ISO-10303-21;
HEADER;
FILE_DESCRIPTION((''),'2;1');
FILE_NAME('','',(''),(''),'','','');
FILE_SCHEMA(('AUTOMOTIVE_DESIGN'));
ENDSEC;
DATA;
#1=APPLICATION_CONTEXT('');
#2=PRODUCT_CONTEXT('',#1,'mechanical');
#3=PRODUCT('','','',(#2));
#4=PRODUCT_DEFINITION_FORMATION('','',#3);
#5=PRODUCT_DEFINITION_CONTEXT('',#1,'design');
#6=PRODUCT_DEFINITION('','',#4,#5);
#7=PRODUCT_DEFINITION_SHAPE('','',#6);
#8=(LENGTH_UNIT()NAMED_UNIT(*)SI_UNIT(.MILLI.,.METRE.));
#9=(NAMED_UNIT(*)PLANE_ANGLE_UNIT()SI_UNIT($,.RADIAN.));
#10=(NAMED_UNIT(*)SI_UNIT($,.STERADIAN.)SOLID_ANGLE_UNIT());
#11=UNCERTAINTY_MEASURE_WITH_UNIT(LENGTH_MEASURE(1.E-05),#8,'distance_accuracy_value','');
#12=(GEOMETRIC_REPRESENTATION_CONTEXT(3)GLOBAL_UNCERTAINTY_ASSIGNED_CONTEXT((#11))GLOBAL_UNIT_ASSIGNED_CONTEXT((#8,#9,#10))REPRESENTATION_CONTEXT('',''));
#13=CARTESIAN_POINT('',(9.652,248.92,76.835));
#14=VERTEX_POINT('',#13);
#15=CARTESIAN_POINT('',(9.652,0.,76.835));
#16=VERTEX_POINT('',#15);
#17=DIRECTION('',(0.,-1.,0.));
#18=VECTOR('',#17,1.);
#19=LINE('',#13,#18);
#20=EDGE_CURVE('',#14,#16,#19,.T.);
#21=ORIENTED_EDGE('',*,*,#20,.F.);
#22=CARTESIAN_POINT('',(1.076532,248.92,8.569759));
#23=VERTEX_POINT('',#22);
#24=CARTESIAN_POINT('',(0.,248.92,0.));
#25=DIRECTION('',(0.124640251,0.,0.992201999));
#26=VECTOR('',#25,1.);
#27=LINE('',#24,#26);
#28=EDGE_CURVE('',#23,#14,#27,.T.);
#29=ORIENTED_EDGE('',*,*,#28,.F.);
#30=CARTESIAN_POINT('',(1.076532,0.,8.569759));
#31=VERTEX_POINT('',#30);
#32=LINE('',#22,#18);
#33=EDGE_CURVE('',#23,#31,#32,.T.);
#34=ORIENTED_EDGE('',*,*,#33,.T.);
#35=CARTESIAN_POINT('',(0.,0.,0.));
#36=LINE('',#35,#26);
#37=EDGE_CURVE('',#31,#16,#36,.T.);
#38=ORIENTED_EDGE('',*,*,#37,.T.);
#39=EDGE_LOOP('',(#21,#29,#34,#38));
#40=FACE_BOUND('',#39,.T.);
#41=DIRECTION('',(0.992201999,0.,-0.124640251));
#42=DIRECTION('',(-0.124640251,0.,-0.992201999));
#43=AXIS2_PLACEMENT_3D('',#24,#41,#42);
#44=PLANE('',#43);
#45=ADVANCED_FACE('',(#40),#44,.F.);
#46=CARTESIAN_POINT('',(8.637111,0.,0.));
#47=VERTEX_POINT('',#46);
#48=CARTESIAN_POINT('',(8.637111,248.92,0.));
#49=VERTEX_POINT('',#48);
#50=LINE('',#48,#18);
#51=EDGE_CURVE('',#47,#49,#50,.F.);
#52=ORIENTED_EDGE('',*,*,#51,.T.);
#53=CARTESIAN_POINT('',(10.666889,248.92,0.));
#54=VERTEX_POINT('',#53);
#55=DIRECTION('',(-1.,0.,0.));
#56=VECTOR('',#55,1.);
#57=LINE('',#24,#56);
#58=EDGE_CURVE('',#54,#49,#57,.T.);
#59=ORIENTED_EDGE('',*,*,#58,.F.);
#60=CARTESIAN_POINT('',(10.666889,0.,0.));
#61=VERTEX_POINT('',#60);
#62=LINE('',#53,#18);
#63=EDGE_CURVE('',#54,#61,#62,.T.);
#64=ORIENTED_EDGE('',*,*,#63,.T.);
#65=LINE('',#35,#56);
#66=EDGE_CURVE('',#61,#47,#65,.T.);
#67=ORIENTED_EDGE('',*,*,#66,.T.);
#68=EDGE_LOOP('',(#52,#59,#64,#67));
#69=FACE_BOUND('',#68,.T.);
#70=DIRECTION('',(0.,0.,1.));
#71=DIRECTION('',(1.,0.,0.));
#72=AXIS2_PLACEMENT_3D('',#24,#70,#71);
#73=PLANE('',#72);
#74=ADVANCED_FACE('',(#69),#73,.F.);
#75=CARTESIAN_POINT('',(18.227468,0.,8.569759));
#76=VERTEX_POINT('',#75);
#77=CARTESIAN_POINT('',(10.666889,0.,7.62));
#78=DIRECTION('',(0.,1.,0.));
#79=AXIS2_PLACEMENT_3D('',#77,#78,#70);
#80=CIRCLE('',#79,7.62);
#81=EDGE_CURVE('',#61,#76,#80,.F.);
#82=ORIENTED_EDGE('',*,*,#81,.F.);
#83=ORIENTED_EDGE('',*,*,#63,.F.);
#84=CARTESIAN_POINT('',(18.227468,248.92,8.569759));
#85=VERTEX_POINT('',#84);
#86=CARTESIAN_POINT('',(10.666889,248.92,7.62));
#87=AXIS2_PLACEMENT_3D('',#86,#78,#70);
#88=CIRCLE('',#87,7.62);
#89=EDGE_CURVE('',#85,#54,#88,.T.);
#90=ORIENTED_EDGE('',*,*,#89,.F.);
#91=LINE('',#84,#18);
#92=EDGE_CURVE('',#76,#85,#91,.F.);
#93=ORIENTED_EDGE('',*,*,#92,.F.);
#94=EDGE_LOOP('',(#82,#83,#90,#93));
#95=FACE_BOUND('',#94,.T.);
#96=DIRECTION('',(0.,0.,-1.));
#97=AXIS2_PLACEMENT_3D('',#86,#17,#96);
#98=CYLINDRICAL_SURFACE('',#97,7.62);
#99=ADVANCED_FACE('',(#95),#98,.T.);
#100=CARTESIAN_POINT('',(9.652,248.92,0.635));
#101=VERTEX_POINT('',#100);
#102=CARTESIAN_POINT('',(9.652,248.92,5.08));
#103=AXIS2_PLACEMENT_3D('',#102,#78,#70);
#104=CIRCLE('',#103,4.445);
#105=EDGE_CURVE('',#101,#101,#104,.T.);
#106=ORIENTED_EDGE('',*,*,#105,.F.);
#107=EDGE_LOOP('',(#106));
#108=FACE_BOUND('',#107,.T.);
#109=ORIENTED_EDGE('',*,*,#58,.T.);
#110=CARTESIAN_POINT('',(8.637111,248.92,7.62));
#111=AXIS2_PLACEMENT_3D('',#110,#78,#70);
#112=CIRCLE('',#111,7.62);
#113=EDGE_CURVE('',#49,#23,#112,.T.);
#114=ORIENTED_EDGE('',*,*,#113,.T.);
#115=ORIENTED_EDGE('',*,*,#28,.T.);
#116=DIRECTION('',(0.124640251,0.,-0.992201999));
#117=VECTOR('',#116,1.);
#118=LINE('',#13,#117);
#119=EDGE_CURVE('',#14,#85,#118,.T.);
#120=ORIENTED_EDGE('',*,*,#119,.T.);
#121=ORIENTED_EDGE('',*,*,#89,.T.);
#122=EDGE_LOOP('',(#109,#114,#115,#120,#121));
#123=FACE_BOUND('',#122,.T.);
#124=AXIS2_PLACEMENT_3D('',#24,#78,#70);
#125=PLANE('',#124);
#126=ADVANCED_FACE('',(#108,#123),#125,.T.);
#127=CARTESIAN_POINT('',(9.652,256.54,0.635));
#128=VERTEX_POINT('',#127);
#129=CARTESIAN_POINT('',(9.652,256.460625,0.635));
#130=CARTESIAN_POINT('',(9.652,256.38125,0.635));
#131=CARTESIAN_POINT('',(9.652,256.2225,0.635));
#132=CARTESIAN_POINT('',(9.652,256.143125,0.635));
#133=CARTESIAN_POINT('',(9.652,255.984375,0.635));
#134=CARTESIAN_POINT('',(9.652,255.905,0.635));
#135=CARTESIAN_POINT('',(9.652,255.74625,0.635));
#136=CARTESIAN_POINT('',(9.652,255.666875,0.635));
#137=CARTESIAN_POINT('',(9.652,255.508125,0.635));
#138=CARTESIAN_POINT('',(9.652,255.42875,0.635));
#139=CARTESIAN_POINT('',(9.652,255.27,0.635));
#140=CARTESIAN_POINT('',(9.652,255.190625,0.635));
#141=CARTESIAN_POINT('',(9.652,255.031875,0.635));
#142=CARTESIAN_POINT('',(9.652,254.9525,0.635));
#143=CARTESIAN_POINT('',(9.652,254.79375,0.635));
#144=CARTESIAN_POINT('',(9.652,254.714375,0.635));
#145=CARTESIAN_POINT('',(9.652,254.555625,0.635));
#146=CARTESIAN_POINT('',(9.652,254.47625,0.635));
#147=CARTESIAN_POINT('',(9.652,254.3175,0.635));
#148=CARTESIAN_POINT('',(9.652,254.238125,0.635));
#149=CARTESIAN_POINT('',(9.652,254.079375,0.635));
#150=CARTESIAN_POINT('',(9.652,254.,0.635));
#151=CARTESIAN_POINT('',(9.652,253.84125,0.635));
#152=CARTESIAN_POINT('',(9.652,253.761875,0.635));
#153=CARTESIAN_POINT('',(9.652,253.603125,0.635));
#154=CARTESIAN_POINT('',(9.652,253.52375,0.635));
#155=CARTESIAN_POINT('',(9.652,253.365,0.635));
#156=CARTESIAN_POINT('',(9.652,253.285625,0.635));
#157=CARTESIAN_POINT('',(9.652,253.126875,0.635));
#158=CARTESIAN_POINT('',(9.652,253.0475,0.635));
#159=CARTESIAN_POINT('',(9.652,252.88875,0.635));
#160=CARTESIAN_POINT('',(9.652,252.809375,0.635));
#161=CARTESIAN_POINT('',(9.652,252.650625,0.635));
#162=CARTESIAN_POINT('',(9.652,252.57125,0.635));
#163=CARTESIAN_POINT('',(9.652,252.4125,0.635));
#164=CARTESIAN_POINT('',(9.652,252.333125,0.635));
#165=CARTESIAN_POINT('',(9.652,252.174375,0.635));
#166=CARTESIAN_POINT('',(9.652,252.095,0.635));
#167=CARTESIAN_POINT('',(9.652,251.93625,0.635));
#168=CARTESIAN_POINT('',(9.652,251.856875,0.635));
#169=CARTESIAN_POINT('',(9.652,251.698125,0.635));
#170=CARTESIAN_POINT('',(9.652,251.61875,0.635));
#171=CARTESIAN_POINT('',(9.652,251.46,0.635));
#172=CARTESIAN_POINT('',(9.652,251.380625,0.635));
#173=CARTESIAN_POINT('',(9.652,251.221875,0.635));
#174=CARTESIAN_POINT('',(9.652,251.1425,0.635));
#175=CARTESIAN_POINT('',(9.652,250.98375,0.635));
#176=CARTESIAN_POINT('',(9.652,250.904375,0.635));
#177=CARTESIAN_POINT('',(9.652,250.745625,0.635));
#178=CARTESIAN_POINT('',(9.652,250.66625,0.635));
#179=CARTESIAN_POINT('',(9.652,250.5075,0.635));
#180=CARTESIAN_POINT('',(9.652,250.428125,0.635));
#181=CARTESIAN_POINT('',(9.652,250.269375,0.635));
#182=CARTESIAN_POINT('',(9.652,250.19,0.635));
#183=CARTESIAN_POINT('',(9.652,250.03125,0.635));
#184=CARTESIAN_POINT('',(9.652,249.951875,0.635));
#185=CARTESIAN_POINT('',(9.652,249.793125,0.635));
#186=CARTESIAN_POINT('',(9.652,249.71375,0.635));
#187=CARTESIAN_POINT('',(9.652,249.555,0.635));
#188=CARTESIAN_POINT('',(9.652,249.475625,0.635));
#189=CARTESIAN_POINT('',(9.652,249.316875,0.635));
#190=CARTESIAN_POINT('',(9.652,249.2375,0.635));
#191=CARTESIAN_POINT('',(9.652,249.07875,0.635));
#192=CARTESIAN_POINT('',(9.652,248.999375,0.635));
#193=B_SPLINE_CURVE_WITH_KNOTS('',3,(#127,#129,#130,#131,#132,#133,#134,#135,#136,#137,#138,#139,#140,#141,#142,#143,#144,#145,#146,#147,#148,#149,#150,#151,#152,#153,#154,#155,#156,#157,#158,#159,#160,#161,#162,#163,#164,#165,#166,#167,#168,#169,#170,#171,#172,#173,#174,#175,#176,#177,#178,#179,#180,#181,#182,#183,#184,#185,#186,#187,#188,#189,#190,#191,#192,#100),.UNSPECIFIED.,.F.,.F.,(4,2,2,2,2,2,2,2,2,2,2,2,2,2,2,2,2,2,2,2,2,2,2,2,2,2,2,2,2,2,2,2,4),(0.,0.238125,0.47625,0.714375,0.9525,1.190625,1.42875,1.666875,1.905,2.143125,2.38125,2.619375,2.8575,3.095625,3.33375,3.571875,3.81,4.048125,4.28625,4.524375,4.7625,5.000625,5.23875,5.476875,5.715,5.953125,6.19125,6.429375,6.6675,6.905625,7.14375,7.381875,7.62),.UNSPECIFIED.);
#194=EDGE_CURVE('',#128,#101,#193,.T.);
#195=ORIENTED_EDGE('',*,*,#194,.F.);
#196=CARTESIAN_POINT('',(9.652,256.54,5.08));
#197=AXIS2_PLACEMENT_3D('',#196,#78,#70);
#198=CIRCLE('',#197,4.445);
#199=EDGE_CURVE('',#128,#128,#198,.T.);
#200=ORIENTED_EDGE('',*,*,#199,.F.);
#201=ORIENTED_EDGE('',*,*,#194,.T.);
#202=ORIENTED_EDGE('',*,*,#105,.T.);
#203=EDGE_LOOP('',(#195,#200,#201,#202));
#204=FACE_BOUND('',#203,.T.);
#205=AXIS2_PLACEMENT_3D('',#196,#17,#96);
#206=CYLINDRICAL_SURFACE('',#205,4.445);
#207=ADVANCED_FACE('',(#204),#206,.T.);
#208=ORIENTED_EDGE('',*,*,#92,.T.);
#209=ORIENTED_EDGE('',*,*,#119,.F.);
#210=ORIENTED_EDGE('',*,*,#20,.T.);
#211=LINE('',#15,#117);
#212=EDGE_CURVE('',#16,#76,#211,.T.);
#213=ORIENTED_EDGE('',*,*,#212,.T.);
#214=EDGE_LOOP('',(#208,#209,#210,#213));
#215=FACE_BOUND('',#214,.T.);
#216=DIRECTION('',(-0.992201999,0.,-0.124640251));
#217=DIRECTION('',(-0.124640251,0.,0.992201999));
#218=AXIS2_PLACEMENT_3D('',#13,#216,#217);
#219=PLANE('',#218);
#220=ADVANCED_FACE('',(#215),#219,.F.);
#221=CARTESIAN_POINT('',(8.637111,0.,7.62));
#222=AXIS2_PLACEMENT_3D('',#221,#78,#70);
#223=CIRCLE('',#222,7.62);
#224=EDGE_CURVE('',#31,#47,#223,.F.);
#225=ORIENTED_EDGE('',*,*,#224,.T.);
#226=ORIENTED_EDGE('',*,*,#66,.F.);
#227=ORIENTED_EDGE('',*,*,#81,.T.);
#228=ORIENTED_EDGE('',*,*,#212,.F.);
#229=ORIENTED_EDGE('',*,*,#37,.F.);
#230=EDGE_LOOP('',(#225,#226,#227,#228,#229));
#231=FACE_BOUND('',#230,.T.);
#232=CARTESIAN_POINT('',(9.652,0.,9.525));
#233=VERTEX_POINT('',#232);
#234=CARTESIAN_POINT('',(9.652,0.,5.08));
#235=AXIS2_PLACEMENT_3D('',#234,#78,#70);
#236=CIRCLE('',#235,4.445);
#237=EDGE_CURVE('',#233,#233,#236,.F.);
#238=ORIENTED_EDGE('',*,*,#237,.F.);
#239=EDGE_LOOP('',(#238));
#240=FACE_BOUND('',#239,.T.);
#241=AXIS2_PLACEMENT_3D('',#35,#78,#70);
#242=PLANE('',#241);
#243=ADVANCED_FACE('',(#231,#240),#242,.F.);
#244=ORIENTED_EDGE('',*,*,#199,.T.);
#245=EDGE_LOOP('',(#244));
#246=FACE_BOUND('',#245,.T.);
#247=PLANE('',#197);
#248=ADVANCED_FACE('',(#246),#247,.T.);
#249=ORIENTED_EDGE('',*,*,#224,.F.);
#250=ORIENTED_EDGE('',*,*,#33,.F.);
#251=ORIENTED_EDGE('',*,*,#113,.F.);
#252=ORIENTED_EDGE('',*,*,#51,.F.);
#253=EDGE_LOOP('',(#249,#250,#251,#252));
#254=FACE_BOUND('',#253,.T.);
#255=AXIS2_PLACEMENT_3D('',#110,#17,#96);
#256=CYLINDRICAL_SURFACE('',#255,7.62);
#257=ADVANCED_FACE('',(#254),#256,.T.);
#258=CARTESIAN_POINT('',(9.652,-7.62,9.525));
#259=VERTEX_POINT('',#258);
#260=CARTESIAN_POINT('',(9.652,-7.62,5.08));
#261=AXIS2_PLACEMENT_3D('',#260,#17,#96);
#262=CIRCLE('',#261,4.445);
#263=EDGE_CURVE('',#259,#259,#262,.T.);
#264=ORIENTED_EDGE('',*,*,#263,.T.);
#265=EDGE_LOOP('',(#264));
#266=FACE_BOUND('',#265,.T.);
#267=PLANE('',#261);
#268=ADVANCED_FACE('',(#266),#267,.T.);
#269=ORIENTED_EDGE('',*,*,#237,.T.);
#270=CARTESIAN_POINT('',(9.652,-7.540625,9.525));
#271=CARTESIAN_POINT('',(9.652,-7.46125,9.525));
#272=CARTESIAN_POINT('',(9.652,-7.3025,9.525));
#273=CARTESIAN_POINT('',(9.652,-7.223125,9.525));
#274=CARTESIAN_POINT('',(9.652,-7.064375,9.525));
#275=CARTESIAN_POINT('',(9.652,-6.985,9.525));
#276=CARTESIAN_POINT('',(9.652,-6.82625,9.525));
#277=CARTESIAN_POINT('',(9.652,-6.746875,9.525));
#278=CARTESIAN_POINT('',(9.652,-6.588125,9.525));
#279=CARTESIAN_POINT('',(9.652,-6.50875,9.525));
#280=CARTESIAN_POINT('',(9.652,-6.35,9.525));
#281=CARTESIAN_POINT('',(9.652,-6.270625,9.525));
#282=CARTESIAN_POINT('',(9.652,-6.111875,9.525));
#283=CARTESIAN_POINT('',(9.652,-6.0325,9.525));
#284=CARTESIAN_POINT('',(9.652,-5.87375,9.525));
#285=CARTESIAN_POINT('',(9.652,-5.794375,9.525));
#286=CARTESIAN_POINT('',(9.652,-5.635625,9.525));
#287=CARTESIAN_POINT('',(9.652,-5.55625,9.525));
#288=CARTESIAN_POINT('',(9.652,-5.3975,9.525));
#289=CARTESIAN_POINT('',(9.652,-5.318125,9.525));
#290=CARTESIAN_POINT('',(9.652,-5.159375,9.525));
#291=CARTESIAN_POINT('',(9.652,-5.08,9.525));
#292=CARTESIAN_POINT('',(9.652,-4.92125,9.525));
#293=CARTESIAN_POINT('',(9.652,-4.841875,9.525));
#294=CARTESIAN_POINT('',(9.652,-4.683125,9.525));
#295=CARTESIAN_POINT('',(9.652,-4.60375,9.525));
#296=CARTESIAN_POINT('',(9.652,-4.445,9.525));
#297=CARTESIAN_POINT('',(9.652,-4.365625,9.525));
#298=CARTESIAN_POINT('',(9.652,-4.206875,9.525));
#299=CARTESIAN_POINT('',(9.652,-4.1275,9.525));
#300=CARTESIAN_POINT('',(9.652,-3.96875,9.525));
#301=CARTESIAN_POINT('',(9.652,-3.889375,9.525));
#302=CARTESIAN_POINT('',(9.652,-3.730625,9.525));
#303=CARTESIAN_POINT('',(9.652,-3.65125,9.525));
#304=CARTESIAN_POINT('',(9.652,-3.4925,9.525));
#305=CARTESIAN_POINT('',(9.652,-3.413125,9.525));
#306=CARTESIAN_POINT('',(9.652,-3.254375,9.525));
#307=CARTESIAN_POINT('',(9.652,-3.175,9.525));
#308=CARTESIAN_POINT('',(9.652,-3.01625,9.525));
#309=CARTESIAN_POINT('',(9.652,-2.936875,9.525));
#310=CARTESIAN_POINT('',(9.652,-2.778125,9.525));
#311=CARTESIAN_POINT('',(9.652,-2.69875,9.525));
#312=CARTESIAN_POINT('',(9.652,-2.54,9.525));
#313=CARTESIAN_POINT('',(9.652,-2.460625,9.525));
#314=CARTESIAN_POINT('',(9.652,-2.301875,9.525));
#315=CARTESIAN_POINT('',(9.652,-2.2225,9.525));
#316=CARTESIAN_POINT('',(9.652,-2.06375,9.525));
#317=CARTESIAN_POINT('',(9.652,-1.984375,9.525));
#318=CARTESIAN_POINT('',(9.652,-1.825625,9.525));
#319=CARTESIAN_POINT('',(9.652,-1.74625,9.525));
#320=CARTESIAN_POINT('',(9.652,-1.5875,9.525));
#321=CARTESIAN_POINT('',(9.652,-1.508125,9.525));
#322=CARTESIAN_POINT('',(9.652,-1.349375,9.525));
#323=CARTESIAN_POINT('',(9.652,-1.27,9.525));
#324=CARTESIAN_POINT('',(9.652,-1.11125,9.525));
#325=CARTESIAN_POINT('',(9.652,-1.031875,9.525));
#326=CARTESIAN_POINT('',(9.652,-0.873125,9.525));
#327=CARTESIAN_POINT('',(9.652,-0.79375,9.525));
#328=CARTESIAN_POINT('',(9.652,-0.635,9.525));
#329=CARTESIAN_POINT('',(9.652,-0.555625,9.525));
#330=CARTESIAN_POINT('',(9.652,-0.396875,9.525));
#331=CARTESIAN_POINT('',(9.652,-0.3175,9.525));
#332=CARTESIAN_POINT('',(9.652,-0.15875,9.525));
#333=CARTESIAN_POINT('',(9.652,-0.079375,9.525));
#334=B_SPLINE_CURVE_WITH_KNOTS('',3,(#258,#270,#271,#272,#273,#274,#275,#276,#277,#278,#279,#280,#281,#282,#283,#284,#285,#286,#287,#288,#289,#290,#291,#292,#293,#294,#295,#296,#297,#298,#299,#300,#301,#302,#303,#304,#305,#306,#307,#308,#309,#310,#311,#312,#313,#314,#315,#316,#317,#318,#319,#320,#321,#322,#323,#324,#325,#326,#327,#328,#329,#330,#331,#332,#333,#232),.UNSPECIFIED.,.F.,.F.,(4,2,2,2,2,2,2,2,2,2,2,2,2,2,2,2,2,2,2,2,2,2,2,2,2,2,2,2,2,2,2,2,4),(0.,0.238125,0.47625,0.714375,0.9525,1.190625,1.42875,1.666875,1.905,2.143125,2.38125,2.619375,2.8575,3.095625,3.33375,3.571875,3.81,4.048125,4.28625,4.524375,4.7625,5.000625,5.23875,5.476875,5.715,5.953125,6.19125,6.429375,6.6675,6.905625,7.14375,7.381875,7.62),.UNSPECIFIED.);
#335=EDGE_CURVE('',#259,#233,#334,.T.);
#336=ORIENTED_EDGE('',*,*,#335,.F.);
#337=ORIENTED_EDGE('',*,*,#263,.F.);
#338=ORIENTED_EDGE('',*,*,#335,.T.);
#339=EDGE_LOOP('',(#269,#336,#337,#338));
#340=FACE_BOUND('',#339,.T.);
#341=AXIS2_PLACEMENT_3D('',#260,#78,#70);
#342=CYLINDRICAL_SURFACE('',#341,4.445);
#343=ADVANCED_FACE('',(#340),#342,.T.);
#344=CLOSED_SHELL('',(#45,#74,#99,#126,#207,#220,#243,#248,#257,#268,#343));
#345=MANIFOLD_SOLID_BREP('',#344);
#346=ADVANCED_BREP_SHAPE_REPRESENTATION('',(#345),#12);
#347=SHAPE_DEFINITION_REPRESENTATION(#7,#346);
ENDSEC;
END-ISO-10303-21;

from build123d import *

# Parameters (mm, degrees)
BOSS_EXTRUDE1_DEPTH = 248.92
FILLET1_R           = 7.62
FILLET2_R           = 7.62
SKETCH3_R           = 4.445
BOSS_EXTRUDE2_DEPTH = 7.62
BOSS_EXTRUDE4_START = 7.62
SKETCH4_R           = 4.445
BOSS_EXTRUDE4_DEPTH = 7.62


with BuildPart() as part:
    # Sketch1 → Boss-Extrude1 (new body)
    with BuildSketch(Plane(origin=(0, 0, 0), x_dir=(1, 0, 0), z_dir=(0, 1, 0))):
        Polygon((0, 0), (19.304, 0), (9.652, -76.835), align=None)
    extrude(amount=BOSS_EXTRUDE1_DEPTH)

    # Fillet1
    fillet1_edges = [part.edges().sort_by_distance(p)[0] for p in [
        (0, 124.46, 0),
    ]]
    fillet(fillet1_edges, radius=FILLET1_R)

    # Fillet2
    fillet2_edges = [part.edges().sort_by_distance(p)[0] for p in [
        (19.304, 124.46, 0),
    ]]
    fillet(fillet2_edges, radius=FILLET2_R)

    # Sketch3 → Boss-Extrude2 (add)
    with BuildSketch(Plane(origin=(0, 0, 0), x_dir=(-1, 0, 0), z_dir=(0, -1, 0))):
        with Locations(Location((-9.652, -5.08, 0), (0, 0, 270))):
            Circle(SKETCH3_R)
    extrude(amount=BOSS_EXTRUDE2_DEPTH)

    # Sketch4 → Boss-Extrude4 (add)
    with BuildSketch(Plane(origin=(0, 248.92, 0), x_dir=(1, 0, 0), z_dir=(0, 1, 0)).offset(BOSS_EXTRUDE4_START)):
        with Locations(Location((9.652, -5.08, 0), (0, 0, 270))):
            Circle(SKETCH4_R)
    extrude(amount=-BOSS_EXTRUDE4_DEPTH)


solid = part.part
